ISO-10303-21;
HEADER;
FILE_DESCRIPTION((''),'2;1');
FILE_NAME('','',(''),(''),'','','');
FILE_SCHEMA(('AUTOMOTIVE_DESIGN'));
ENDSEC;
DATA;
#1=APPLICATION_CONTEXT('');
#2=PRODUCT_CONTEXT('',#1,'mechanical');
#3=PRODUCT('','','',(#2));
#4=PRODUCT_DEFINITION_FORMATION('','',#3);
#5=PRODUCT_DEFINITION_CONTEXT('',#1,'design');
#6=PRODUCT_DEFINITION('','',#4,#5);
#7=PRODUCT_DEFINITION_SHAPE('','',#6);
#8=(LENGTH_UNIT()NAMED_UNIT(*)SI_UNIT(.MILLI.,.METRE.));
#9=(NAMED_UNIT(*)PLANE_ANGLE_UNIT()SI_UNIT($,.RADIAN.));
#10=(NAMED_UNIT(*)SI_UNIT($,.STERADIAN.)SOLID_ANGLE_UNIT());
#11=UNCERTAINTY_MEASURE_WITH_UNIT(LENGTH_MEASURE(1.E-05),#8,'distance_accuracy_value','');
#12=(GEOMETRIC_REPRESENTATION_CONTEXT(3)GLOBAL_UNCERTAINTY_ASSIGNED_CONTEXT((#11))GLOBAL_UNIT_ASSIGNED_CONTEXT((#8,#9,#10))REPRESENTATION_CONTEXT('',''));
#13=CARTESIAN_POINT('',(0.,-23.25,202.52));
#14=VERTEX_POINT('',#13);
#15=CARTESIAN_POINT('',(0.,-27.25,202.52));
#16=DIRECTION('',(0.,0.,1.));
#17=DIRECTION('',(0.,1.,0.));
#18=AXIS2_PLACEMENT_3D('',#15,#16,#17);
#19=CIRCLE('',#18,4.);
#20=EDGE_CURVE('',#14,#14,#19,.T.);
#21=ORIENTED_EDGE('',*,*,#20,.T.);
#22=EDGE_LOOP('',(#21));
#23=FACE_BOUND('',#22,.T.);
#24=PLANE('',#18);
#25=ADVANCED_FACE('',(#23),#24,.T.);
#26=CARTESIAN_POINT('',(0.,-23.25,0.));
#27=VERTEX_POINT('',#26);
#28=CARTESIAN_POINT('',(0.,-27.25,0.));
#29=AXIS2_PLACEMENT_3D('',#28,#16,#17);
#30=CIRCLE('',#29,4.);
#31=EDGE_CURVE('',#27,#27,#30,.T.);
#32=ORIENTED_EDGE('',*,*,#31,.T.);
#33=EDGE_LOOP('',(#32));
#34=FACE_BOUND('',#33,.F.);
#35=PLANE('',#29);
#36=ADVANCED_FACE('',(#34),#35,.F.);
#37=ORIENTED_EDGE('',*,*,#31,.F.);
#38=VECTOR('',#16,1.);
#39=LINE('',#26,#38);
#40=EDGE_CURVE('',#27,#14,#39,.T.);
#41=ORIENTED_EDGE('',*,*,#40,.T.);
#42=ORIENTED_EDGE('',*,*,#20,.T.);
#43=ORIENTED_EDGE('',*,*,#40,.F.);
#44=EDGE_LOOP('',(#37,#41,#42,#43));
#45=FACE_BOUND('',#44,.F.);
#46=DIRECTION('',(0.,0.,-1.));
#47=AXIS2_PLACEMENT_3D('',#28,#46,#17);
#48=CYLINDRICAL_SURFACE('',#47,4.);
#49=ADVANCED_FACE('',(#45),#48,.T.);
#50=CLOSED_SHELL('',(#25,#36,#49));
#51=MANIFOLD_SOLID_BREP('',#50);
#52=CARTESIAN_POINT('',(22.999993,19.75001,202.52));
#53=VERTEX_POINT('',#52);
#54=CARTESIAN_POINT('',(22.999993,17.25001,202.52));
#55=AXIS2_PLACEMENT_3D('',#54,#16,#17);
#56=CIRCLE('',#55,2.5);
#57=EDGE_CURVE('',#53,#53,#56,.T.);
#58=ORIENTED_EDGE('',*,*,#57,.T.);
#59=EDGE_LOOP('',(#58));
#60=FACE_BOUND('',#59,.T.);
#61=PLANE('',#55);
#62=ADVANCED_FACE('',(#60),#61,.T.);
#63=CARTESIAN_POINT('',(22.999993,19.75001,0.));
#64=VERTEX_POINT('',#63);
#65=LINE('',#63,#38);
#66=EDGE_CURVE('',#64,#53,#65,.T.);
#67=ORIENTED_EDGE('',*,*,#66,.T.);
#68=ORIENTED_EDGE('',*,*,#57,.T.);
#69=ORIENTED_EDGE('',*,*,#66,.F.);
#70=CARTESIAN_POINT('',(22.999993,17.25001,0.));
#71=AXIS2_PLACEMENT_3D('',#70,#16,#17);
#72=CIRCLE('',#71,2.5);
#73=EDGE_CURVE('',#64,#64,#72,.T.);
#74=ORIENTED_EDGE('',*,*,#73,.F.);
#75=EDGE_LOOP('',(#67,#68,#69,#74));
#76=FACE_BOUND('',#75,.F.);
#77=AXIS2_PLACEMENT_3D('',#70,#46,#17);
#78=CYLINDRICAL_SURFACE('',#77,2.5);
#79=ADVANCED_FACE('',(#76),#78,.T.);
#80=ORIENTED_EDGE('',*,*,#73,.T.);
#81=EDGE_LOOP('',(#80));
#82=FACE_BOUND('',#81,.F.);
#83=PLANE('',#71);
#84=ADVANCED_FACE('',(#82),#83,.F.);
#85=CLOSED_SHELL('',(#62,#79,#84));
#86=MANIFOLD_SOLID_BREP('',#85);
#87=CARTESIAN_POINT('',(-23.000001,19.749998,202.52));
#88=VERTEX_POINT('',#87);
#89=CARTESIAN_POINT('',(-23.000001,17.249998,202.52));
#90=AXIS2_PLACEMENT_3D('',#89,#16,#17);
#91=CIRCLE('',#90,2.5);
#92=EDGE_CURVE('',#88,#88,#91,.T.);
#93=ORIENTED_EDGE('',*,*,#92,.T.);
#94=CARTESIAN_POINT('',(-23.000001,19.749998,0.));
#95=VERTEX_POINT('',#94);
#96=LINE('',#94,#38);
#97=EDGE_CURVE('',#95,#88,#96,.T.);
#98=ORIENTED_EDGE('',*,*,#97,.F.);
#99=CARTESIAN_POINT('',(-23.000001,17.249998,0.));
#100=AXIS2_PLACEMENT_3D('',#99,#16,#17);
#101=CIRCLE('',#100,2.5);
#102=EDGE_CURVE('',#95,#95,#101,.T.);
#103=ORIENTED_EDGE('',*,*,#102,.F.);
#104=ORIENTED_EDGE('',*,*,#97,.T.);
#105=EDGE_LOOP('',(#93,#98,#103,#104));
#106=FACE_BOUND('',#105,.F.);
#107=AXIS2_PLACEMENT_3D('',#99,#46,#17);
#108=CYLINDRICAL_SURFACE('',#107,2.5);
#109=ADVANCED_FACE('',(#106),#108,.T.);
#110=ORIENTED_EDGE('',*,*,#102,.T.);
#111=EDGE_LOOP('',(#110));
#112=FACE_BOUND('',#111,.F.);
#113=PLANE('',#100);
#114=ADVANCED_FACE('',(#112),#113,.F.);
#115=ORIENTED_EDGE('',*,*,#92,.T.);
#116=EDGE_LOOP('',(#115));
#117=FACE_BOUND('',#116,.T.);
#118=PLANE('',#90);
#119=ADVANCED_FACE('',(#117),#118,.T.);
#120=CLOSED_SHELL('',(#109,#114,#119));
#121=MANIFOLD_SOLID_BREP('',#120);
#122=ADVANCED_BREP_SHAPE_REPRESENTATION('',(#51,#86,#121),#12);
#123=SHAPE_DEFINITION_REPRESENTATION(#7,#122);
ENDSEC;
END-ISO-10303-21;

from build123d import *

# Parameters (mm, degrees)
BINDER_R      = 4
BINDER_R_2    = 2.5
EXTRUDE_DEPTH = 202.52


with BuildPart() as part:
    # Binder → Extrude (new body)
    with BuildSketch(Plane(origin=(0, -27.25, 0), x_dir=(0, 1, 0), z_dir=(0, 0, 1))):
        Circle(BINDER_R)
        with Locations((44.499998, 23.000001)):
            Circle(BINDER_R_2)
        with Locations((44.50001, -22.999993)):
            Circle(BINDER_R_2)
    extrude(amount=EXTRUDE_DEPTH)


solid = part.part
